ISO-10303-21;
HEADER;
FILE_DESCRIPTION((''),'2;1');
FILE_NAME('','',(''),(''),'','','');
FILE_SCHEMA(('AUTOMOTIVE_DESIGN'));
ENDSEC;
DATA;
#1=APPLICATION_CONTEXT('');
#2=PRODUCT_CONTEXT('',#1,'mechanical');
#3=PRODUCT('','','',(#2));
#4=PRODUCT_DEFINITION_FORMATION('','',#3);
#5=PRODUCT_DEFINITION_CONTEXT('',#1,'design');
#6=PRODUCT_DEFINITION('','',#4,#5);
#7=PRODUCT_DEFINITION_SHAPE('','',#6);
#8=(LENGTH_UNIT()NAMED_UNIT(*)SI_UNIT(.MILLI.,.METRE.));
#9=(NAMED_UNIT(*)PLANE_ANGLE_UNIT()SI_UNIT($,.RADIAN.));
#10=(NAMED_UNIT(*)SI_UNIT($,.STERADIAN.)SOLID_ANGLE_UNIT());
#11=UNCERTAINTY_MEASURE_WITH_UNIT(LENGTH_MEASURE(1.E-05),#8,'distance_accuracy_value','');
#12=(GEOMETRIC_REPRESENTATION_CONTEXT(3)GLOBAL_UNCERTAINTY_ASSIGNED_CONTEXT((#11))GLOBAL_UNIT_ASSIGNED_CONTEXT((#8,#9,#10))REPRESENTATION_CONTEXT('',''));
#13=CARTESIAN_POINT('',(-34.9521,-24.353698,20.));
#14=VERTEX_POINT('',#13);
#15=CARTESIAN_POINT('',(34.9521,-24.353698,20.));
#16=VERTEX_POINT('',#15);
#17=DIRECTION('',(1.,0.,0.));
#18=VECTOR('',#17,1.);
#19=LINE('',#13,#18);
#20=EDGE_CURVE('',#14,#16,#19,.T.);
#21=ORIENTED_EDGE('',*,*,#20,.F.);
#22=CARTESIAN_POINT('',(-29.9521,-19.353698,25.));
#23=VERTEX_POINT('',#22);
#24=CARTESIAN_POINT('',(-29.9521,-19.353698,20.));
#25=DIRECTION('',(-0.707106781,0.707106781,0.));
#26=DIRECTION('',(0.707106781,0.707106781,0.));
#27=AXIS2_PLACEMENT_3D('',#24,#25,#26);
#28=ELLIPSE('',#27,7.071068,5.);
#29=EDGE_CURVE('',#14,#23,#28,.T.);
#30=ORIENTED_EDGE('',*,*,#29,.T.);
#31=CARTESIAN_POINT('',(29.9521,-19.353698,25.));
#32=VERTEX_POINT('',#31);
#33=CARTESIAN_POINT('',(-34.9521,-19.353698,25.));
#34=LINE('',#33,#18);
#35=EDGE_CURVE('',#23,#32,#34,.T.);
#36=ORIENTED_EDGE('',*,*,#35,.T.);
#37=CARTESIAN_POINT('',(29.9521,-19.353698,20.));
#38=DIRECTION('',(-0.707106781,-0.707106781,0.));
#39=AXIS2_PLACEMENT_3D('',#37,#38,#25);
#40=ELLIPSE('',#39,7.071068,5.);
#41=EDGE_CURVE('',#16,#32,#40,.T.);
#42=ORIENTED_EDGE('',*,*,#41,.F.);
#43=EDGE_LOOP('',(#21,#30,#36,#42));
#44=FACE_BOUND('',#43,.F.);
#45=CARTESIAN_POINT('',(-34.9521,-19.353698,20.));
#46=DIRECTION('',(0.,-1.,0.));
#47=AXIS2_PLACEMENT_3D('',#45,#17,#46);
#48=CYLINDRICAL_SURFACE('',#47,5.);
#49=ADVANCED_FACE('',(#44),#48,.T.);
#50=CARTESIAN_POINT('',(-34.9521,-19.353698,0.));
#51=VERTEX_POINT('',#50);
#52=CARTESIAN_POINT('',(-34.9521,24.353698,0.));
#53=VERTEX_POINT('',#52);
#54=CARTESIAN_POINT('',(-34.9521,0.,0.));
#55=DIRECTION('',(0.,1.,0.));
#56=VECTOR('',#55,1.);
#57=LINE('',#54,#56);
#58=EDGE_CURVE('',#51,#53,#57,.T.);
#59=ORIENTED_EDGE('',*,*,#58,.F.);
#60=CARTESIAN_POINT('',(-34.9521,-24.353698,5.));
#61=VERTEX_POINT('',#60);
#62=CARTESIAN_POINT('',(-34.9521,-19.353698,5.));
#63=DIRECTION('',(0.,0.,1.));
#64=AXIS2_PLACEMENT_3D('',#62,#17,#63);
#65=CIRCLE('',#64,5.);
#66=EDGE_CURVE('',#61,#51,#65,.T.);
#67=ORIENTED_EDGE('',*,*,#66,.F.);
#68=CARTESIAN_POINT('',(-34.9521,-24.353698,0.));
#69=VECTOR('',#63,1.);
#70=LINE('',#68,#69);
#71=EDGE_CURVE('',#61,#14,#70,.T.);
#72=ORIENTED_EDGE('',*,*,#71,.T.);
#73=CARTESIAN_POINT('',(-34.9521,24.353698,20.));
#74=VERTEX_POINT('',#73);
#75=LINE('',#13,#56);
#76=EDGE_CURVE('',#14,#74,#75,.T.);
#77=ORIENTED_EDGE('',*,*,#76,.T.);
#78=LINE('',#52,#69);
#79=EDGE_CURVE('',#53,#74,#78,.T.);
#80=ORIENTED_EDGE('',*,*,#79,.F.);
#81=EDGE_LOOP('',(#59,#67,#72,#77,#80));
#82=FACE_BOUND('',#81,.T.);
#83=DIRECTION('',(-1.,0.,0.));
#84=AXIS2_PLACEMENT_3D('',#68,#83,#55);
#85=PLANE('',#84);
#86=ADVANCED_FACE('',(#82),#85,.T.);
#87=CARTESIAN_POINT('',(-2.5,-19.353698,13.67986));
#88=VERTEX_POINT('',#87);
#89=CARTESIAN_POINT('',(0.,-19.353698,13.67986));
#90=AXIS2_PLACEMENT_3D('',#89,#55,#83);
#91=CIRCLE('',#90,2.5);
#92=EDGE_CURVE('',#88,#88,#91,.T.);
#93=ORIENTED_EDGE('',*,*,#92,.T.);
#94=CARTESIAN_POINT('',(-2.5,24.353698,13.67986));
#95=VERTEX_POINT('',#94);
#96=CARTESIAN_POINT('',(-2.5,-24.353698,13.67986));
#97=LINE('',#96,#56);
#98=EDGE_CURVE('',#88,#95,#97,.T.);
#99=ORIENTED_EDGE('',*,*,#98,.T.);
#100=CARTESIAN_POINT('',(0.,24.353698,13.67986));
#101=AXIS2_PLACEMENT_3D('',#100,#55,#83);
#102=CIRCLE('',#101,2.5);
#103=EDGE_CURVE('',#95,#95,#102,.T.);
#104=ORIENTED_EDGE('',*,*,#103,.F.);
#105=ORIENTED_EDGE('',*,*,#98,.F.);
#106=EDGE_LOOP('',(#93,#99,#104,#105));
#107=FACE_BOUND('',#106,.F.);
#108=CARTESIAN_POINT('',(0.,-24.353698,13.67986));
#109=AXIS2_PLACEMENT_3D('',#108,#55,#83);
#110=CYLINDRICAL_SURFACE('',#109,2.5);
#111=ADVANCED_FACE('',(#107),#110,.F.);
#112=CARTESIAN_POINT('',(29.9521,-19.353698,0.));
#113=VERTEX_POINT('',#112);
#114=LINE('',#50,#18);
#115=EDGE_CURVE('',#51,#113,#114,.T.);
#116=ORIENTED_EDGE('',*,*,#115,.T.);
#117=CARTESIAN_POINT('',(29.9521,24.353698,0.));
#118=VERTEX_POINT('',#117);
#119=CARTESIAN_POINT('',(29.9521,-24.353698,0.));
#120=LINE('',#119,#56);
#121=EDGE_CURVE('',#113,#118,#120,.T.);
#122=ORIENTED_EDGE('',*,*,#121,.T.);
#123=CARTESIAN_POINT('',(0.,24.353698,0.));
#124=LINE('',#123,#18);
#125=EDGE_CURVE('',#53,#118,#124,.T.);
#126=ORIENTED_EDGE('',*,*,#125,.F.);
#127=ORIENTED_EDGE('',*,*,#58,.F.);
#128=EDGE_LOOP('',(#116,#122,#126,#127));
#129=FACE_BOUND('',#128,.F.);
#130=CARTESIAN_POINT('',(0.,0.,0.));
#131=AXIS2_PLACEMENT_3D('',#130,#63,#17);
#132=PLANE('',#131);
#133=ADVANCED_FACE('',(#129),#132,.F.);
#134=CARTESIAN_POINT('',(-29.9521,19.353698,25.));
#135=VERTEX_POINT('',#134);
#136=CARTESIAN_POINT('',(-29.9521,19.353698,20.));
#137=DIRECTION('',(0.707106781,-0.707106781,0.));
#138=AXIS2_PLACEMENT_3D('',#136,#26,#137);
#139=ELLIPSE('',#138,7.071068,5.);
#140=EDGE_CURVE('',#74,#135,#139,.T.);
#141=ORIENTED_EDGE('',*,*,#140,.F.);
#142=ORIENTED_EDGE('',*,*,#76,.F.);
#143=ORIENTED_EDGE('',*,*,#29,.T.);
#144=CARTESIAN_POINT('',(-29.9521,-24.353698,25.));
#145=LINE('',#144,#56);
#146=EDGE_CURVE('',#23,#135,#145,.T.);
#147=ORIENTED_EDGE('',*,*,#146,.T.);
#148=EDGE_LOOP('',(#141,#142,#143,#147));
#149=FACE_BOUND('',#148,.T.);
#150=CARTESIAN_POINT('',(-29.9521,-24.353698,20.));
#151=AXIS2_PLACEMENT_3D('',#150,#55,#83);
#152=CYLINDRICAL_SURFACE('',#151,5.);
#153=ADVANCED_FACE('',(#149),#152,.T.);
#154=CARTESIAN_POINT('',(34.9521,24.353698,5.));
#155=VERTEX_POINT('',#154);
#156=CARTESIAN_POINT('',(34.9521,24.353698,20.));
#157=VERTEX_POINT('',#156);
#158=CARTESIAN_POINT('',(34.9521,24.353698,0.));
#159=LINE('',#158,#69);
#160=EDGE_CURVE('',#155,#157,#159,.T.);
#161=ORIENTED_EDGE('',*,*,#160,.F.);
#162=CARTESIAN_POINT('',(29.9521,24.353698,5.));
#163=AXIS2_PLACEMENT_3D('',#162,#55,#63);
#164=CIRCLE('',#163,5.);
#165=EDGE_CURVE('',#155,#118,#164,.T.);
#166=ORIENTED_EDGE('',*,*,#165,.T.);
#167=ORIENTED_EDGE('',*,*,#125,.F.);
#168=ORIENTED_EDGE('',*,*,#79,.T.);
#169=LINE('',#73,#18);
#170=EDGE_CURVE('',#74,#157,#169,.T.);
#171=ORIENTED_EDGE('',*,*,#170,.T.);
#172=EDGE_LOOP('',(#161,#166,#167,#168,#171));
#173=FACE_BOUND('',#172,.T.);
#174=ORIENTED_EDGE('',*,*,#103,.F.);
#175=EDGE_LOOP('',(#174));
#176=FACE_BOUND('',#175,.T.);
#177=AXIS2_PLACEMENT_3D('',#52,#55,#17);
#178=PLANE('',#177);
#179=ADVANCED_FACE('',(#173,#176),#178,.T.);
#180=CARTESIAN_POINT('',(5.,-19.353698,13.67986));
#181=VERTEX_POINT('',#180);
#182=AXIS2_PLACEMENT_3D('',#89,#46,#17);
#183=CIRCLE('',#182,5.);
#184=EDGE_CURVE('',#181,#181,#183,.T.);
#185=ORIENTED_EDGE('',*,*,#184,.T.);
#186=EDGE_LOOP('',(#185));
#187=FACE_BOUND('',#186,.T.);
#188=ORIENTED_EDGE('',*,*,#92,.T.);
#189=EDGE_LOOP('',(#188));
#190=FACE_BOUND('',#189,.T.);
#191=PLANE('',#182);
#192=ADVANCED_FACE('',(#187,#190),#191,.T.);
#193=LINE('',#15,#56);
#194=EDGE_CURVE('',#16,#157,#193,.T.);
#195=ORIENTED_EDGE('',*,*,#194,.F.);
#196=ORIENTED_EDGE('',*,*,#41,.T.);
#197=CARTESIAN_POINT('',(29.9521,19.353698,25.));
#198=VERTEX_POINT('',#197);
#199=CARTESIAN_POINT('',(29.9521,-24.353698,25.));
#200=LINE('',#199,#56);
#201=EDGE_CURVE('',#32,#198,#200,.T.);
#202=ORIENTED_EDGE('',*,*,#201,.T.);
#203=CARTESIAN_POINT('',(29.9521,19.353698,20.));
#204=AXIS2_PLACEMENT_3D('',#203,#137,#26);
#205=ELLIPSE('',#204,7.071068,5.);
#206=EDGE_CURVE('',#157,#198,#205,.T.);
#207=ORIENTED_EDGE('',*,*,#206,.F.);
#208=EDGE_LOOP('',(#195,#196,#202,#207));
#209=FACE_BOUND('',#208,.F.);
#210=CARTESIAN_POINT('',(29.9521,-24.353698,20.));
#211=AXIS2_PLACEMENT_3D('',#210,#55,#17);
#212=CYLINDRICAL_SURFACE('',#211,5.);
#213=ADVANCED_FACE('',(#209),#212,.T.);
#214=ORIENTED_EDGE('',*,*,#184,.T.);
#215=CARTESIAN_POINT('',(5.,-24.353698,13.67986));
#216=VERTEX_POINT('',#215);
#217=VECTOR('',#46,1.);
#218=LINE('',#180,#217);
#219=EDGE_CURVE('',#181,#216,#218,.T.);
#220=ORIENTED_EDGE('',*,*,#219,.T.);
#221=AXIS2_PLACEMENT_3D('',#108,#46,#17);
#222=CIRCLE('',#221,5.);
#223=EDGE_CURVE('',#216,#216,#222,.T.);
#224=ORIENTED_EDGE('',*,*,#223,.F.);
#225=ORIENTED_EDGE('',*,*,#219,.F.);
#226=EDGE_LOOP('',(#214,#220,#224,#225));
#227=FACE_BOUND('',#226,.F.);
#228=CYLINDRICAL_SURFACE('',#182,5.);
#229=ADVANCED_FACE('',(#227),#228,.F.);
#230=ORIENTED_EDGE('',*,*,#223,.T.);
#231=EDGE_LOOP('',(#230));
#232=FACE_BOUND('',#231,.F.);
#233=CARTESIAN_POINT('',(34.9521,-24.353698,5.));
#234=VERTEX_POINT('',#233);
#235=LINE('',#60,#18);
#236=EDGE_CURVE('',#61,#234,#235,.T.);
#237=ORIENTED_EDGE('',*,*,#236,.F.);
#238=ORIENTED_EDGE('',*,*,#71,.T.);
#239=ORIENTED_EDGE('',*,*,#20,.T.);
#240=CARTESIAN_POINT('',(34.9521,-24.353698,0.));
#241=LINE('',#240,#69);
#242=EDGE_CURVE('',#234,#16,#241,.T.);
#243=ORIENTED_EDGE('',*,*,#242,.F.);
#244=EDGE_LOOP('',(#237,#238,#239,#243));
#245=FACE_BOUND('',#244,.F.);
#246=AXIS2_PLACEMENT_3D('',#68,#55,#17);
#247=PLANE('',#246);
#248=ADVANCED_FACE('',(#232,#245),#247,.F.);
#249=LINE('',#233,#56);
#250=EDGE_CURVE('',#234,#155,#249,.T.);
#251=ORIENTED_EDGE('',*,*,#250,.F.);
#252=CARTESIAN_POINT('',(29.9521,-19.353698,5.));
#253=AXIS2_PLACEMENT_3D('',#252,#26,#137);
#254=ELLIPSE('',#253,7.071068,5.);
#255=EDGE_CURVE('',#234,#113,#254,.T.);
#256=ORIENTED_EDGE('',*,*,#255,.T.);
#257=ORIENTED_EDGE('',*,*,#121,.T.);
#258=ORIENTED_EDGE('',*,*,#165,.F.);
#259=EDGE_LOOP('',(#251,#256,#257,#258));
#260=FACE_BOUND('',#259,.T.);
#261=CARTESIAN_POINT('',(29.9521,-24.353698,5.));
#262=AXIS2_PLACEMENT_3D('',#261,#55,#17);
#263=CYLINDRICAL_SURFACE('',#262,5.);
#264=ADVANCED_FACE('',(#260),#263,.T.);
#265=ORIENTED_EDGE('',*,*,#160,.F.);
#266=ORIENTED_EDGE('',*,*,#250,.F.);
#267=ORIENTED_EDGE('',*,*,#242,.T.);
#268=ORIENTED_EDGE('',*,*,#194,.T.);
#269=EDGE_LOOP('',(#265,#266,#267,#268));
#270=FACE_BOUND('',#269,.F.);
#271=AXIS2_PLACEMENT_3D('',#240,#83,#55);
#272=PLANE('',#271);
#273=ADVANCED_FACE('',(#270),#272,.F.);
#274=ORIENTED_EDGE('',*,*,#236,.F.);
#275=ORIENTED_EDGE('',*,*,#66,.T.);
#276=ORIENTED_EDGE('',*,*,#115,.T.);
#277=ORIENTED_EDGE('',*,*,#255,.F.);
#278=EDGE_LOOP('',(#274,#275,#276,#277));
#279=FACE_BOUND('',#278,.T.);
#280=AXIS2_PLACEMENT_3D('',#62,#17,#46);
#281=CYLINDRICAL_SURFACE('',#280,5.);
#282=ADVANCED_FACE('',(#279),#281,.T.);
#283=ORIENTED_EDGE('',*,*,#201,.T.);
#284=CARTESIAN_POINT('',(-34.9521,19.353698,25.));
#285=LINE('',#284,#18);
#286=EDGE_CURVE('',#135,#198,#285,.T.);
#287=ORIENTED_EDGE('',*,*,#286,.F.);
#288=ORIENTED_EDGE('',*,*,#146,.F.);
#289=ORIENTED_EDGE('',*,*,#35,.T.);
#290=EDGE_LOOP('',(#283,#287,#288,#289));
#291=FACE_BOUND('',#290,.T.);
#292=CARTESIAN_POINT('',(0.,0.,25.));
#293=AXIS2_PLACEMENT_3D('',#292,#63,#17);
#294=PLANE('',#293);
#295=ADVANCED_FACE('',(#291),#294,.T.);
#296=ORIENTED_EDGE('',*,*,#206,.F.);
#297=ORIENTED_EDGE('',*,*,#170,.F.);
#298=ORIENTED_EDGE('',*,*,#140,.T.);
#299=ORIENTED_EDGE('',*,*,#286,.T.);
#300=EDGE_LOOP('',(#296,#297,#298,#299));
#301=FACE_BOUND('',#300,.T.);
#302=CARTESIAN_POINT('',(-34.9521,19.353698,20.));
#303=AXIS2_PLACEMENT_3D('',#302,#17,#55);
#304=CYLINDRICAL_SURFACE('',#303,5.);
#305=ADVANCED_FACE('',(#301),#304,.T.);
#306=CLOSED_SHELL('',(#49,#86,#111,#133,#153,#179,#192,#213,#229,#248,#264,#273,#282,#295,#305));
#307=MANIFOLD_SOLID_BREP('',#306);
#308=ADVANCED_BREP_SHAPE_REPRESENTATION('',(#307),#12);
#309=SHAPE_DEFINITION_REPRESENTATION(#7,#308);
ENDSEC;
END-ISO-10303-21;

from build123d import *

# Parameters (mm, degrees)
F0_W           = 69.9042
F0_H           = 48.707396
F1_DEPTH       = 25
F2_R           = 5
F4_D           = 5
F4_CBORE_D     = 10
F4_CBORE_DEPTH = 5


with BuildPart() as f1:
    # F0 (on Top) → F1 (new body)
    with BuildSketch(Plane.XY):
        Rectangle(F0_W, F0_H)
    extrude(amount=F1_DEPTH)

    # F2
    f2_edges = [f1.edges().sort_by_distance(p)[0] for p in [
        (0, 24.353698, 25),
        (34.9521, 0, 25),
        (0, -24.353698, 25),
        (-34.9521, 0, 25),
        (0, -24.353698, 0),
        (34.9521, 0, 0),
    ]]
    fillet(f2_edges, radius=F2_R)

    # F4 (through all)
    with Locations(Plane.XZ.offset(24.353698)):
        with Locations((0, 13.67986)):
            CounterBoreHole(F4_D / 2, F4_CBORE_D / 2, F4_CBORE_DEPTH)


solid = f1.part
